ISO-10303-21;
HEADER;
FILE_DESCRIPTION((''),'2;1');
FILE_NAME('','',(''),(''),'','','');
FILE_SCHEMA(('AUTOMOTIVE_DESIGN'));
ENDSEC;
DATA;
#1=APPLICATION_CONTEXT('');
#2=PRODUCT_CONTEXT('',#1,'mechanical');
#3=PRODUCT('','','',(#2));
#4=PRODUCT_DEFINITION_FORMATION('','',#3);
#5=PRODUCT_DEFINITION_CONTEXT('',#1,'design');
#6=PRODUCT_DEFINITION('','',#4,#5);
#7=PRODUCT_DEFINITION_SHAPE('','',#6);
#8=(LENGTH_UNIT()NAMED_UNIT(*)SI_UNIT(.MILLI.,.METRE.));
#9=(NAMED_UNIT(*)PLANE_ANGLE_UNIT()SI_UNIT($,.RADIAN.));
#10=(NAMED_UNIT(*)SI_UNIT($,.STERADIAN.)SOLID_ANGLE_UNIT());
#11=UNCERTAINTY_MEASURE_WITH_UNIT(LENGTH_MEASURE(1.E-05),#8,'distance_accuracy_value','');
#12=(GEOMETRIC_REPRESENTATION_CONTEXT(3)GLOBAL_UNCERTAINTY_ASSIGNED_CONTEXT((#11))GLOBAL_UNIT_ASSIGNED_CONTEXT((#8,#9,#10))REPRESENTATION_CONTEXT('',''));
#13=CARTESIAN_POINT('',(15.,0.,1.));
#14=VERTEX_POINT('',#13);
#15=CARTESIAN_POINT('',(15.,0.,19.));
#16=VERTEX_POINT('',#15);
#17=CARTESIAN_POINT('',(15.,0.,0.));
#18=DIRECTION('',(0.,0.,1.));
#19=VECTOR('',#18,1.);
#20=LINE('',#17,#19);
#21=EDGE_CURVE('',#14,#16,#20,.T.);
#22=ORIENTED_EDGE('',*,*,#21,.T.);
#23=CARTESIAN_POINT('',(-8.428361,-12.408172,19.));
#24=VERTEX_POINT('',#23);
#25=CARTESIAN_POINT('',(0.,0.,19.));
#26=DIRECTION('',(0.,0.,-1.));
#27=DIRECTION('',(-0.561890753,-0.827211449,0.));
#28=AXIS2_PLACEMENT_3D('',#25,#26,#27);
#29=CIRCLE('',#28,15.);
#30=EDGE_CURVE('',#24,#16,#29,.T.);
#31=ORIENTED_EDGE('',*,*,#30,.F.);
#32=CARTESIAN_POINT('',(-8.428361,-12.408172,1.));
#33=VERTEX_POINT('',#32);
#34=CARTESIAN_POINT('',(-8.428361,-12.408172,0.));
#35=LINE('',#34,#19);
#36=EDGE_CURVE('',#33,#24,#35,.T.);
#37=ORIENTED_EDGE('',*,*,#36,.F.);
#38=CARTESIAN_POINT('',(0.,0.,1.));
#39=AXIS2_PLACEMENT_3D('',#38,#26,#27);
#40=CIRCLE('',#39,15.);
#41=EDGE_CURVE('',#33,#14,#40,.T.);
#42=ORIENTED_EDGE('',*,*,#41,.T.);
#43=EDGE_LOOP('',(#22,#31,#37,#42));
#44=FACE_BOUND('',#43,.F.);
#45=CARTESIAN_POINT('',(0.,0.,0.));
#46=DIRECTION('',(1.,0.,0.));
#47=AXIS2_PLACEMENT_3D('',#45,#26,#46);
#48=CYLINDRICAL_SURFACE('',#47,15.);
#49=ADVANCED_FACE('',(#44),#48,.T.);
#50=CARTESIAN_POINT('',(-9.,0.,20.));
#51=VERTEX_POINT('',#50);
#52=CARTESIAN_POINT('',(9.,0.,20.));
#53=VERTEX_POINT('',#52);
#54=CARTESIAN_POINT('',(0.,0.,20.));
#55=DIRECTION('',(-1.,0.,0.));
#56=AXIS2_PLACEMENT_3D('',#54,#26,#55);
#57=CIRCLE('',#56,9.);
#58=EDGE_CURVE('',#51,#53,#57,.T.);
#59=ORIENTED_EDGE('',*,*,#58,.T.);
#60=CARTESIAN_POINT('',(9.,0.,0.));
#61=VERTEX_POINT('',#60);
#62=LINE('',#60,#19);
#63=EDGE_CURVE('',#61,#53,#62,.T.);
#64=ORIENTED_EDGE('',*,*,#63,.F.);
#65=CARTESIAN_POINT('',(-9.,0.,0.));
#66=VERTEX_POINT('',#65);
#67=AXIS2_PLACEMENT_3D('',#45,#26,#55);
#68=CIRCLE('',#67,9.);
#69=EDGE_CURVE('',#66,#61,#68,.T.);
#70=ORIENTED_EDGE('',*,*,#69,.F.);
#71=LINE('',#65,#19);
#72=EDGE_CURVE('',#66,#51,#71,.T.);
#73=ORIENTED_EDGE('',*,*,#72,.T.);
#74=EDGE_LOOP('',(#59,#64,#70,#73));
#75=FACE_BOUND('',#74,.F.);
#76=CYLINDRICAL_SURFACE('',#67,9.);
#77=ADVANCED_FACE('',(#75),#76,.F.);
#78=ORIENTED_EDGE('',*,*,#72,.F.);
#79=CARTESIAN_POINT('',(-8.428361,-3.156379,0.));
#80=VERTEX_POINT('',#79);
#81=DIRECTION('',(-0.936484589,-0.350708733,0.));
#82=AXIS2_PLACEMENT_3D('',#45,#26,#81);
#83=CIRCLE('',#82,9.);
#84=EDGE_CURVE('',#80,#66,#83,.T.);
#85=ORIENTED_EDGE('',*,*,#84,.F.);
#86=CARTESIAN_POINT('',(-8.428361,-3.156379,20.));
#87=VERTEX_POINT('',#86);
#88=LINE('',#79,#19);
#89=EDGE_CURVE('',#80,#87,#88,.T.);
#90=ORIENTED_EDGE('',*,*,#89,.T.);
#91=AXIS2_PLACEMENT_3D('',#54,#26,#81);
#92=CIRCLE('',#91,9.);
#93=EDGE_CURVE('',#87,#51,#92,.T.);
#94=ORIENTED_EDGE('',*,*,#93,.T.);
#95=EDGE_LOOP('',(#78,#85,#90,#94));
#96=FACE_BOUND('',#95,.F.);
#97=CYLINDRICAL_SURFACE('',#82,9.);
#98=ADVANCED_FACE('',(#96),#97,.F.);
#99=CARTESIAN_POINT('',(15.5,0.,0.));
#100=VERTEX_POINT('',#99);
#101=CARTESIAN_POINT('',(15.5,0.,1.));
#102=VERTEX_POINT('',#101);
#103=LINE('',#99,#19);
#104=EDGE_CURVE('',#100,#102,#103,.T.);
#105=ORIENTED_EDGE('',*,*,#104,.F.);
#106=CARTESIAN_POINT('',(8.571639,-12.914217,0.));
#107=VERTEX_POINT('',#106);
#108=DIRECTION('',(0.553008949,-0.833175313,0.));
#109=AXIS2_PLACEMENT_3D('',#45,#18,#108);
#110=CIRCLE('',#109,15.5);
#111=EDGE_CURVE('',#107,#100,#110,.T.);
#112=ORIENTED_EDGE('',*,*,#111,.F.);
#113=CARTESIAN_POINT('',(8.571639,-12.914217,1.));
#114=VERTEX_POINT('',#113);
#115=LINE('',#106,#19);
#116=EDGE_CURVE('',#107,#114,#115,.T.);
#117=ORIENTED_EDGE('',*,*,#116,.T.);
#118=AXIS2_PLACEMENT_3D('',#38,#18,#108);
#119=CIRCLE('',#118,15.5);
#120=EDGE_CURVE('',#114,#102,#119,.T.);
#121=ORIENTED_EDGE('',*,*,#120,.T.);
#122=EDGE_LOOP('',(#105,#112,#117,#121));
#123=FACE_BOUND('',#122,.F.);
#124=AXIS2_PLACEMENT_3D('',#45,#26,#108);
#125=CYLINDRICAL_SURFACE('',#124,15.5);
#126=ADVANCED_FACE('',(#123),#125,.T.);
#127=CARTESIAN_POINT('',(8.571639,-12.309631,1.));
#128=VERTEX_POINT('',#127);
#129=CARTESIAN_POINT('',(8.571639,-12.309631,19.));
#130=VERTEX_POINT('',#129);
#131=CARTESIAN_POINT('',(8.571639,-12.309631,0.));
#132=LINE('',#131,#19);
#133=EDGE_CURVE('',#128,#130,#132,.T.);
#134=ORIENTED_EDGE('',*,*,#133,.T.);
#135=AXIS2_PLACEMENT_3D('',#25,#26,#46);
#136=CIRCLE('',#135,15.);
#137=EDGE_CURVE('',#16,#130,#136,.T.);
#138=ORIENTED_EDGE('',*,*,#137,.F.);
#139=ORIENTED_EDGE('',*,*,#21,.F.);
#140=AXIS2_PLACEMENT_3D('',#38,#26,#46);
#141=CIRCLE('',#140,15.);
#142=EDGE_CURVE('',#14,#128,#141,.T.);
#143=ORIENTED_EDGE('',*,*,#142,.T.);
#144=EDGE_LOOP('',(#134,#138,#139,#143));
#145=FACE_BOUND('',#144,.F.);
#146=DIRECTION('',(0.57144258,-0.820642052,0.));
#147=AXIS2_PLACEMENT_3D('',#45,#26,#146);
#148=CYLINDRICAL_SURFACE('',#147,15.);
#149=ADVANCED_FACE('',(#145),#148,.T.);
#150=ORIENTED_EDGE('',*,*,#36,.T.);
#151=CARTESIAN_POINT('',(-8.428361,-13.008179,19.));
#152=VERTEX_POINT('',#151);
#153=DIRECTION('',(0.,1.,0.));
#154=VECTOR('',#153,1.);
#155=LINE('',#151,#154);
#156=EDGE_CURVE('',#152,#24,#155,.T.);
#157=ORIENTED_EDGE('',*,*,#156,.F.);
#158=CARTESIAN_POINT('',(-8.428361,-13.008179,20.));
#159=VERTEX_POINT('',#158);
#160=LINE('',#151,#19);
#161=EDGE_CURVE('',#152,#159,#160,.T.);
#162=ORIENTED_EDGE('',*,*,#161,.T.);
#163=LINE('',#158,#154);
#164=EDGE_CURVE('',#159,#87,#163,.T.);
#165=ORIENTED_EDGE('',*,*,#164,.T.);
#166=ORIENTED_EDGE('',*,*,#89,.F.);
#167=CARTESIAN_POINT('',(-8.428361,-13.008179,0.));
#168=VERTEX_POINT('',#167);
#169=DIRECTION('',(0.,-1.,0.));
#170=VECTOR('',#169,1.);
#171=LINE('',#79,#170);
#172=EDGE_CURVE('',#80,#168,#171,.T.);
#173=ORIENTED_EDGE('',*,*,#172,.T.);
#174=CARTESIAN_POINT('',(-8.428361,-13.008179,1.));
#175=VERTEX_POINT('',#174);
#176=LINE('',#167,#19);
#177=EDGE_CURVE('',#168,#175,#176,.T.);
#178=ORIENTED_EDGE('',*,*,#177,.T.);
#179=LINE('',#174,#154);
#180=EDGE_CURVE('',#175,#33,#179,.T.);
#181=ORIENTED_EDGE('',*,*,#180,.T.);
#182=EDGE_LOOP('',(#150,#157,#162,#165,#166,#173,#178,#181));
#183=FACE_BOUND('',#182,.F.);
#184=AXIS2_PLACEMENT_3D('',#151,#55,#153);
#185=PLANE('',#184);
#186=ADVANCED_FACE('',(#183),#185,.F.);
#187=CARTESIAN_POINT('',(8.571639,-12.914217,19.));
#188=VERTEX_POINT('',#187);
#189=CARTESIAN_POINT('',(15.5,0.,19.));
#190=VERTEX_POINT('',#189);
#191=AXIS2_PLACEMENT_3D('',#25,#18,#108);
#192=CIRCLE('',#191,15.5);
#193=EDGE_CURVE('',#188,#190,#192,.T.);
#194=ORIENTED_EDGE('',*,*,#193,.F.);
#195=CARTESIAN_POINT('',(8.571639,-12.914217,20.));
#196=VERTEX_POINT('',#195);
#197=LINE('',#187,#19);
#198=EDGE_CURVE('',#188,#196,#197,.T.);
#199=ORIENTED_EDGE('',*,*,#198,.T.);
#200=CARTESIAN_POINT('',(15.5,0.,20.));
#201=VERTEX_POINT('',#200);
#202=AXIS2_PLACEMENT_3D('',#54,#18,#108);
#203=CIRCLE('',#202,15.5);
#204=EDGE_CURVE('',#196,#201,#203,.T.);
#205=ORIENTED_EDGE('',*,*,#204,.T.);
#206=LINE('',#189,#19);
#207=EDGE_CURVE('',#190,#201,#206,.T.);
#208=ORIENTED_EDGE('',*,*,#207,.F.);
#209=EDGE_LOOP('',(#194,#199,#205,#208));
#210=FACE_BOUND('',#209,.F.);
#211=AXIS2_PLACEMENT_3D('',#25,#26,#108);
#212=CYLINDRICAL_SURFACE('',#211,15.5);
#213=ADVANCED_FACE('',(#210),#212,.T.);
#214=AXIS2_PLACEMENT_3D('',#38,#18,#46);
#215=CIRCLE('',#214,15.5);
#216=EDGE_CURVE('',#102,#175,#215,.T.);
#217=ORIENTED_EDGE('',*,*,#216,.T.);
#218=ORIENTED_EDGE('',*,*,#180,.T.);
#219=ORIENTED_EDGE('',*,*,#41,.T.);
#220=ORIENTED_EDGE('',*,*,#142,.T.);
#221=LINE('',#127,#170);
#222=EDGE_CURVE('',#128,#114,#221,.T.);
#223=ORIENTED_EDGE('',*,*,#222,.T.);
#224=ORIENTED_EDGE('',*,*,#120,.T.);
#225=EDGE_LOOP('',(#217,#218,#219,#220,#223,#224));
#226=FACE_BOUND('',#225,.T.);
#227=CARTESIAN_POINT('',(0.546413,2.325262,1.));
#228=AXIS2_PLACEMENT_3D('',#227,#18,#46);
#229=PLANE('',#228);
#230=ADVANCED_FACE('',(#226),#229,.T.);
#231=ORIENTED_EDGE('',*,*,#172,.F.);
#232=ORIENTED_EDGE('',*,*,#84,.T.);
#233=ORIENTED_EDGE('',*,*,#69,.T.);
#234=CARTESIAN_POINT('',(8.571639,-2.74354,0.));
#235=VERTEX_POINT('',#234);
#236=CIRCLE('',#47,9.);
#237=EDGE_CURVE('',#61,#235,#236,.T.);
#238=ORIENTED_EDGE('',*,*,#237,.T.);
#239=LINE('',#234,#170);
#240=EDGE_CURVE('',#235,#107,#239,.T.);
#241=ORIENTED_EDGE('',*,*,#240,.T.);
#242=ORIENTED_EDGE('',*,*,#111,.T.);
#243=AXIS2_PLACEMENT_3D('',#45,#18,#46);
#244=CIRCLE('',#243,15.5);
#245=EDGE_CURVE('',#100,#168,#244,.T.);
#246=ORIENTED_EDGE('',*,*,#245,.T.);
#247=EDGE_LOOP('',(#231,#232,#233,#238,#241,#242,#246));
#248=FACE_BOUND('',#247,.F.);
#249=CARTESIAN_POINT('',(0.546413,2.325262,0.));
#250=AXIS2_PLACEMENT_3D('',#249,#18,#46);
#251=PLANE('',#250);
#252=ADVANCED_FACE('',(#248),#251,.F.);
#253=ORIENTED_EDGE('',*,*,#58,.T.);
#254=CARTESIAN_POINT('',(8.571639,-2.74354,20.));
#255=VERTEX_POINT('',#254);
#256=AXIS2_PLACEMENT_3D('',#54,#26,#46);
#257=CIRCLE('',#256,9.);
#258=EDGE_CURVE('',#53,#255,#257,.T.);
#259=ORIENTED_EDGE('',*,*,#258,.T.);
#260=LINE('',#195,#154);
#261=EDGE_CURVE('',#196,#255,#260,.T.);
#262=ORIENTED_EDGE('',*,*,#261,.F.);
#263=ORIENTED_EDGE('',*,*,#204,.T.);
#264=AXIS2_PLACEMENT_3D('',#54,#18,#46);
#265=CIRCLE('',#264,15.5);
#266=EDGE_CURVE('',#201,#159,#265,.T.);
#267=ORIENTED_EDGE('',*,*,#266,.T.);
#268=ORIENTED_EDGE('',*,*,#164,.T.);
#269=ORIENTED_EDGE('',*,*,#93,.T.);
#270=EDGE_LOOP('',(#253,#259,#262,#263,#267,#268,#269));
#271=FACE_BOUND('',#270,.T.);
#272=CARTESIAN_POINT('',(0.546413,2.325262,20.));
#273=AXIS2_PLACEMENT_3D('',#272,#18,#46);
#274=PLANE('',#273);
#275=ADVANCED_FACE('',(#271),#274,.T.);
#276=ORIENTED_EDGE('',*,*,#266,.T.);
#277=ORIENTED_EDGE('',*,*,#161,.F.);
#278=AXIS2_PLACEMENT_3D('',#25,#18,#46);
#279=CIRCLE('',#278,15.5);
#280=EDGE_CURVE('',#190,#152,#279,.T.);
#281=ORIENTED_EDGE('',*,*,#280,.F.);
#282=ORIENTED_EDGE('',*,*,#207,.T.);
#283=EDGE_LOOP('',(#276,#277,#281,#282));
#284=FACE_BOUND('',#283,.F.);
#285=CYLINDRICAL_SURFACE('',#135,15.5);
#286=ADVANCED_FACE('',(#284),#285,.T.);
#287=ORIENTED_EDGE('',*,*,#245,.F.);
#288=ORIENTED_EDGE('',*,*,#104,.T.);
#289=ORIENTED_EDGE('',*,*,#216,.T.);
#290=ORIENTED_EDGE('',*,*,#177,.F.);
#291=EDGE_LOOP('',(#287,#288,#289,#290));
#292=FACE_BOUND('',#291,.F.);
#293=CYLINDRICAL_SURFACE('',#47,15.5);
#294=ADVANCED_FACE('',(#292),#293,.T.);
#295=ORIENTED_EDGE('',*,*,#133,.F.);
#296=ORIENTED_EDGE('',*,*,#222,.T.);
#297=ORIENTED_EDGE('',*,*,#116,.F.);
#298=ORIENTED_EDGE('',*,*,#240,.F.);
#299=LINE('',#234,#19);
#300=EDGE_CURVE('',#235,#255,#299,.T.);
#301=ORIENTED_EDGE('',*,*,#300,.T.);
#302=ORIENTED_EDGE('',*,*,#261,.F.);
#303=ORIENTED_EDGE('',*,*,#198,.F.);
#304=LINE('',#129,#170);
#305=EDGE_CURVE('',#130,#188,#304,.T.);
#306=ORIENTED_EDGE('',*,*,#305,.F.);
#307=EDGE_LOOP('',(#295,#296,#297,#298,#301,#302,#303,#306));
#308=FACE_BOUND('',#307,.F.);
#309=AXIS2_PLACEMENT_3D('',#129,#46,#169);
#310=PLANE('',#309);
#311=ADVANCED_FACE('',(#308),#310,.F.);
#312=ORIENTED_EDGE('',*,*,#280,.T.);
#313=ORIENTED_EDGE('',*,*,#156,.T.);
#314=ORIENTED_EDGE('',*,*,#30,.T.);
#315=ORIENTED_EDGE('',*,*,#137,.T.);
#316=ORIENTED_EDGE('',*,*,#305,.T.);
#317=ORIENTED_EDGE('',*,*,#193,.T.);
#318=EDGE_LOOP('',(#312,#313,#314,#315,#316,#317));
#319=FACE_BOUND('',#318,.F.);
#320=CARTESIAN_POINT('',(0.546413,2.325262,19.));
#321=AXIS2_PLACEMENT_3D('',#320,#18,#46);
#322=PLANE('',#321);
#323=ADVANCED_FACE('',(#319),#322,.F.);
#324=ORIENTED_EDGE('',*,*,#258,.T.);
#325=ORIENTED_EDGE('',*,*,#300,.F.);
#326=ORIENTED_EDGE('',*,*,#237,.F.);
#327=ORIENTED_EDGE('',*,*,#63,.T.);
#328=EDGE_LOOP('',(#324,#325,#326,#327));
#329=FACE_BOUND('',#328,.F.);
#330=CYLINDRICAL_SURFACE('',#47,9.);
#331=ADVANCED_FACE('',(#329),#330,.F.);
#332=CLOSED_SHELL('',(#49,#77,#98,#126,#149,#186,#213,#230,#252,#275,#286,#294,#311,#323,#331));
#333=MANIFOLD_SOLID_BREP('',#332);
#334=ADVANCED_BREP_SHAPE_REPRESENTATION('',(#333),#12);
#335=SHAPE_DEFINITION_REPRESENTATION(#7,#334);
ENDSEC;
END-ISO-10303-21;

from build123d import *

# Parameters (mm, degrees)
F1_DEPTH = 20
F2_DEPTH = 1
F3_START = 19
F3_DEPTH = 1


with BuildPart() as f1:
    # F0 (on Top) → F1 (new body)
    with BuildSketch(Plane.XY):
        with BuildLine():
            ThreePointArc((-9, 0), (0, 9), (9, 0))
            ThreePointArc((9, 0), (8.89226485, -1.388389656), (8.5716387029, -2.7435396748))
            Line((8.5716387029, -2.7435396748), (8.5716387029, -12.3096307803))
            ThreePointArc((8.5716387029, -12.3096307803), (13.2961381714, -6.9435372634), (15, 0))
            ThreePointArc((15, 0), (-7.0204907429, 13.2556670797), (-8.4283612971, -12.4081717366))
            Line((-8.4283612971, -12.4081717366), (-8.4283612971, -3.1563785967))
            ThreePointArc((-8.4283612971, -3.1563785967), (-8.8559373212, -1.6038622644), (-9, 0))
        make_face()
    extrude(amount=F1_DEPTH)

    # F0 (on Top) → F2 (join)
    with BuildSketch(Plane.XY):
        with BuildLine():
            ThreePointArc((15, 0), (13.2961381714, -6.9435372634), (8.5716387029, -12.3096307803))
            Line((8.5716387029, -12.3096307803), (8.5716387029, -12.9142173571))
            ThreePointArc((8.5716387029, -12.9142173571), (13.6585211479, -7.3276735771), (15.5, 0))
            ThreePointArc((15.5, 0), (-7.4030534205, 13.6178118673), (-8.4283612971, -13.0081791902))
            Line((-8.4283612971, -13.0081791902), (-8.4283612971, -12.4081717366))
            ThreePointArc((-8.4283612971, -12.4081717366), (-7.0204907429, 13.2556670797), (15, 0))
        make_face()
    extrude(amount=F2_DEPTH)

    # F0 (on Top) → F3 (join)
    with BuildSketch(Plane.XY.offset(F3_START)):
        with BuildLine():
            ThreePointArc((15, 0), (13.2961381714, -6.9435372634), (8.5716387029, -12.3096307803))
            Line((8.5716387029, -12.3096307803), (8.5716387029, -12.9142173571))
            ThreePointArc((8.5716387029, -12.9142173571), (13.6585211479, -7.3276735771), (15.5, 0))
            ThreePointArc((15.5, 0), (-7.4030534205, 13.6178118673), (-8.4283612971, -13.0081791902))
            Line((-8.4283612971, -13.0081791902), (-8.4283612971, -12.4081717366))
            ThreePointArc((-8.4283612971, -12.4081717366), (-7.0204907429, 13.2556670797), (15, 0))
        make_face()
    extrude(amount=F3_DEPTH)


solid = f1.part
